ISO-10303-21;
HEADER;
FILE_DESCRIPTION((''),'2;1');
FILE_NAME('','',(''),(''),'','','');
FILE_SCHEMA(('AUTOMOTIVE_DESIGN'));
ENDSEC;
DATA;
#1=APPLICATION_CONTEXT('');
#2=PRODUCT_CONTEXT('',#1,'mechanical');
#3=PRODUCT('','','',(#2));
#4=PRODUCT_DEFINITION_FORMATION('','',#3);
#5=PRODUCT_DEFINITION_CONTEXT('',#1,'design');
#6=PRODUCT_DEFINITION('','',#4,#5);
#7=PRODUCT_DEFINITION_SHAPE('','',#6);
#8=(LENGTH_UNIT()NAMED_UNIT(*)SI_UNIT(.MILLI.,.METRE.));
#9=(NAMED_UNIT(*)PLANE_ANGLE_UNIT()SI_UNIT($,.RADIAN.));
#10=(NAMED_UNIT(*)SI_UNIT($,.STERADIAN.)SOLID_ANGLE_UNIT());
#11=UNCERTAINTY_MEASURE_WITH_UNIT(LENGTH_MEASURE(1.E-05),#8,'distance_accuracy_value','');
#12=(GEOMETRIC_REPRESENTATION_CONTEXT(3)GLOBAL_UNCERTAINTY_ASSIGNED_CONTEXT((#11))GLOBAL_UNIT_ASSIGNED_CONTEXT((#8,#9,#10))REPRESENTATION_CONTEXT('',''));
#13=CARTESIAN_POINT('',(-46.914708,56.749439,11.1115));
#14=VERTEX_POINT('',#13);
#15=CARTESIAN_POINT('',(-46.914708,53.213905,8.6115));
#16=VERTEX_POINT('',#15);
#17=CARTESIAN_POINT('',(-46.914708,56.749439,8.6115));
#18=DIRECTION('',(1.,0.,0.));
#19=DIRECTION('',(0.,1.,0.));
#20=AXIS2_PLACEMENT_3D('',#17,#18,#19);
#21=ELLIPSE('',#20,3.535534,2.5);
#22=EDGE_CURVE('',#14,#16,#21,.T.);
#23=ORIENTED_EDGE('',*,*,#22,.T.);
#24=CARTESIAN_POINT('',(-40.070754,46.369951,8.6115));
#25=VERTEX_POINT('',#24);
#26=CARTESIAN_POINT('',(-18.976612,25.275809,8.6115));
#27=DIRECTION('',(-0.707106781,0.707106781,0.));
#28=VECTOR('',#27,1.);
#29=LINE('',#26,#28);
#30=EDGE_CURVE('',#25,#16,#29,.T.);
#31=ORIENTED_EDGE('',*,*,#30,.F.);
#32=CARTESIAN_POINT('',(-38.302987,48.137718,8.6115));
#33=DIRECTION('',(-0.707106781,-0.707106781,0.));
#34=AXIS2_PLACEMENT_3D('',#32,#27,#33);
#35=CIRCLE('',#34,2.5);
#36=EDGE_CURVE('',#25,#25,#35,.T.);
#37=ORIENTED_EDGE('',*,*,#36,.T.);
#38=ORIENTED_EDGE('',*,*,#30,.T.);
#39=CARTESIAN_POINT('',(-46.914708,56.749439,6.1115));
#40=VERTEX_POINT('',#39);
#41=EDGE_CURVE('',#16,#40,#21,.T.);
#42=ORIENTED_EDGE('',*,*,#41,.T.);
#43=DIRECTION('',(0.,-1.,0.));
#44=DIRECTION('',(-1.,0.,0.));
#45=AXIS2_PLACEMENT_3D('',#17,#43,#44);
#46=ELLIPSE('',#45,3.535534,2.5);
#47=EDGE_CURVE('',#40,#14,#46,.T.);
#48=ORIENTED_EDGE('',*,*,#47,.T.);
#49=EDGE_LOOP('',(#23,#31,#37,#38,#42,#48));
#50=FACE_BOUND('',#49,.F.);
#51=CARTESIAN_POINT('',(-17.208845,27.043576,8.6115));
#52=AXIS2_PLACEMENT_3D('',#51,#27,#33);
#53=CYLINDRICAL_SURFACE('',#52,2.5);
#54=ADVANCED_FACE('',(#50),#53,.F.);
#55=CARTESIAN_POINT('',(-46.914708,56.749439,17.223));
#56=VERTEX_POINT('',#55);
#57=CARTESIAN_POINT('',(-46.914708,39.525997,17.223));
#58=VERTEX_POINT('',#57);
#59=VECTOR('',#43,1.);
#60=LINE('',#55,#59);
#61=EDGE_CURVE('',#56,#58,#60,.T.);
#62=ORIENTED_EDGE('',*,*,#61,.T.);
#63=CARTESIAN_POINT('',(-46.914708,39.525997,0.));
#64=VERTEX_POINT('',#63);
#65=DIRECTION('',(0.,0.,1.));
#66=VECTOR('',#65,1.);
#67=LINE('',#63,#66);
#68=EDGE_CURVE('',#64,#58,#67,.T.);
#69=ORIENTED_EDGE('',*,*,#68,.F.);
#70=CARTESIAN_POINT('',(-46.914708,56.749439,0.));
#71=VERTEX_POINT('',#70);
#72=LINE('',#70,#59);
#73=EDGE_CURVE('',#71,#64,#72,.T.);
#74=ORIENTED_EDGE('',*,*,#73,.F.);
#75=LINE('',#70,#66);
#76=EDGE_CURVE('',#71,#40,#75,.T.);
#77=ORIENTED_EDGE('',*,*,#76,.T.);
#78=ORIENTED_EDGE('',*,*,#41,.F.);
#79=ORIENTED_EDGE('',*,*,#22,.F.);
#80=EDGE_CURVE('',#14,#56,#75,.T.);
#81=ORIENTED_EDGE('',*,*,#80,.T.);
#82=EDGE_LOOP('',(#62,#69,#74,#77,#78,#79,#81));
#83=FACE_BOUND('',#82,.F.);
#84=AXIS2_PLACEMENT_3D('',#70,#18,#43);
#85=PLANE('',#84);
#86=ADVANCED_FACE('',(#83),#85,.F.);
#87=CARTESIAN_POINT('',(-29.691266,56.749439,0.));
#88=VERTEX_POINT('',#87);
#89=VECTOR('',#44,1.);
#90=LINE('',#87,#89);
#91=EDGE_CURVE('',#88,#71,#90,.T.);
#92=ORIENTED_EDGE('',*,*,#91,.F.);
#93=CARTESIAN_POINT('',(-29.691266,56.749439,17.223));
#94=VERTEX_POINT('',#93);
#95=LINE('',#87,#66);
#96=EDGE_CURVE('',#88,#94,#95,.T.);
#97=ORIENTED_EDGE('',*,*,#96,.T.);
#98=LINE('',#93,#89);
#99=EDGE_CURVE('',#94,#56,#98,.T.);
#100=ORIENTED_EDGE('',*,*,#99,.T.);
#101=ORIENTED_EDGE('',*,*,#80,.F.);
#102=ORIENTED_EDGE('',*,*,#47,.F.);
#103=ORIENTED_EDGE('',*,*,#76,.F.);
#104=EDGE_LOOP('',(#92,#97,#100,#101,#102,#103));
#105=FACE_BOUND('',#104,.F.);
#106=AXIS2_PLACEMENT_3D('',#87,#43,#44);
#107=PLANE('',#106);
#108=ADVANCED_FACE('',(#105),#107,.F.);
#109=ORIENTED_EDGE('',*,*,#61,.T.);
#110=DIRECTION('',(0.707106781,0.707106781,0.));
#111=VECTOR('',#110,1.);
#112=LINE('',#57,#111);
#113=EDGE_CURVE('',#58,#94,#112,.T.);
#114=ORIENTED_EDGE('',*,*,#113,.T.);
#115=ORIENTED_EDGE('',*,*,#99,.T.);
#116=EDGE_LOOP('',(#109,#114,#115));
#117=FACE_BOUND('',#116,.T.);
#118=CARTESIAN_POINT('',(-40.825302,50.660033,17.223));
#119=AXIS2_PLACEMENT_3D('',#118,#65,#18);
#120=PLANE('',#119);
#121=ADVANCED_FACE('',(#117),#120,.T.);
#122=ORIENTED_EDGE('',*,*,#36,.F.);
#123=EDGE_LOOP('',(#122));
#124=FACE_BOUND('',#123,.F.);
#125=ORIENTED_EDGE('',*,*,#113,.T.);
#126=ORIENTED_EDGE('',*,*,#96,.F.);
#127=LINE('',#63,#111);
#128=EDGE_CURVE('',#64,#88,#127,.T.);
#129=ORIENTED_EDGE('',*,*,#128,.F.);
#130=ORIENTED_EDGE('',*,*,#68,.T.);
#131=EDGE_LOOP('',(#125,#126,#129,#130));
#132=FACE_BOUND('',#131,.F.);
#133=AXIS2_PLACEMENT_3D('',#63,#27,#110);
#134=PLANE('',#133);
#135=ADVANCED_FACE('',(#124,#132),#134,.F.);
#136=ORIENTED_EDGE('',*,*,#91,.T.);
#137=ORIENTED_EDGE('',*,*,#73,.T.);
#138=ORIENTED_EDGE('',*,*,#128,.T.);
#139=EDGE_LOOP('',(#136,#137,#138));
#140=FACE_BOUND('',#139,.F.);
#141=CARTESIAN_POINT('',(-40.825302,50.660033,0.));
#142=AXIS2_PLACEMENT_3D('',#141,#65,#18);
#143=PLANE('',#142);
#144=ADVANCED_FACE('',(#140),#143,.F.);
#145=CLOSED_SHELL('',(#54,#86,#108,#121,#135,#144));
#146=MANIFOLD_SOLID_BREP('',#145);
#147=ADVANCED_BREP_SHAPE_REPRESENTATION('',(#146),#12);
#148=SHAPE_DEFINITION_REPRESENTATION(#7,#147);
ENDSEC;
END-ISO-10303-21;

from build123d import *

# Parameters (mm, degrees)
F1_DEPTH = 17.223
F3_D     = 5


with BuildPart() as f1:
    # F0 (on Top) → F1 (new body)
    with BuildSketch(Plane.XY):
        Polygon((-46.914708, 39.525997), (-29.691266, 56.749439), (-46.914708, 56.749439), align=None)
    extrude(amount=F1_DEPTH)

    # F3 (through all)
    with Locations(Plane(origin=(-43.220352, 43.220352, 0), x_dir=(0.707107, 0.707107, 0), z_dir=(0.707107, -0.707107, 0))):
        with Locations((6.954205, 8.6115)):
            Hole(F3_D / 2)


solid = f1.part
